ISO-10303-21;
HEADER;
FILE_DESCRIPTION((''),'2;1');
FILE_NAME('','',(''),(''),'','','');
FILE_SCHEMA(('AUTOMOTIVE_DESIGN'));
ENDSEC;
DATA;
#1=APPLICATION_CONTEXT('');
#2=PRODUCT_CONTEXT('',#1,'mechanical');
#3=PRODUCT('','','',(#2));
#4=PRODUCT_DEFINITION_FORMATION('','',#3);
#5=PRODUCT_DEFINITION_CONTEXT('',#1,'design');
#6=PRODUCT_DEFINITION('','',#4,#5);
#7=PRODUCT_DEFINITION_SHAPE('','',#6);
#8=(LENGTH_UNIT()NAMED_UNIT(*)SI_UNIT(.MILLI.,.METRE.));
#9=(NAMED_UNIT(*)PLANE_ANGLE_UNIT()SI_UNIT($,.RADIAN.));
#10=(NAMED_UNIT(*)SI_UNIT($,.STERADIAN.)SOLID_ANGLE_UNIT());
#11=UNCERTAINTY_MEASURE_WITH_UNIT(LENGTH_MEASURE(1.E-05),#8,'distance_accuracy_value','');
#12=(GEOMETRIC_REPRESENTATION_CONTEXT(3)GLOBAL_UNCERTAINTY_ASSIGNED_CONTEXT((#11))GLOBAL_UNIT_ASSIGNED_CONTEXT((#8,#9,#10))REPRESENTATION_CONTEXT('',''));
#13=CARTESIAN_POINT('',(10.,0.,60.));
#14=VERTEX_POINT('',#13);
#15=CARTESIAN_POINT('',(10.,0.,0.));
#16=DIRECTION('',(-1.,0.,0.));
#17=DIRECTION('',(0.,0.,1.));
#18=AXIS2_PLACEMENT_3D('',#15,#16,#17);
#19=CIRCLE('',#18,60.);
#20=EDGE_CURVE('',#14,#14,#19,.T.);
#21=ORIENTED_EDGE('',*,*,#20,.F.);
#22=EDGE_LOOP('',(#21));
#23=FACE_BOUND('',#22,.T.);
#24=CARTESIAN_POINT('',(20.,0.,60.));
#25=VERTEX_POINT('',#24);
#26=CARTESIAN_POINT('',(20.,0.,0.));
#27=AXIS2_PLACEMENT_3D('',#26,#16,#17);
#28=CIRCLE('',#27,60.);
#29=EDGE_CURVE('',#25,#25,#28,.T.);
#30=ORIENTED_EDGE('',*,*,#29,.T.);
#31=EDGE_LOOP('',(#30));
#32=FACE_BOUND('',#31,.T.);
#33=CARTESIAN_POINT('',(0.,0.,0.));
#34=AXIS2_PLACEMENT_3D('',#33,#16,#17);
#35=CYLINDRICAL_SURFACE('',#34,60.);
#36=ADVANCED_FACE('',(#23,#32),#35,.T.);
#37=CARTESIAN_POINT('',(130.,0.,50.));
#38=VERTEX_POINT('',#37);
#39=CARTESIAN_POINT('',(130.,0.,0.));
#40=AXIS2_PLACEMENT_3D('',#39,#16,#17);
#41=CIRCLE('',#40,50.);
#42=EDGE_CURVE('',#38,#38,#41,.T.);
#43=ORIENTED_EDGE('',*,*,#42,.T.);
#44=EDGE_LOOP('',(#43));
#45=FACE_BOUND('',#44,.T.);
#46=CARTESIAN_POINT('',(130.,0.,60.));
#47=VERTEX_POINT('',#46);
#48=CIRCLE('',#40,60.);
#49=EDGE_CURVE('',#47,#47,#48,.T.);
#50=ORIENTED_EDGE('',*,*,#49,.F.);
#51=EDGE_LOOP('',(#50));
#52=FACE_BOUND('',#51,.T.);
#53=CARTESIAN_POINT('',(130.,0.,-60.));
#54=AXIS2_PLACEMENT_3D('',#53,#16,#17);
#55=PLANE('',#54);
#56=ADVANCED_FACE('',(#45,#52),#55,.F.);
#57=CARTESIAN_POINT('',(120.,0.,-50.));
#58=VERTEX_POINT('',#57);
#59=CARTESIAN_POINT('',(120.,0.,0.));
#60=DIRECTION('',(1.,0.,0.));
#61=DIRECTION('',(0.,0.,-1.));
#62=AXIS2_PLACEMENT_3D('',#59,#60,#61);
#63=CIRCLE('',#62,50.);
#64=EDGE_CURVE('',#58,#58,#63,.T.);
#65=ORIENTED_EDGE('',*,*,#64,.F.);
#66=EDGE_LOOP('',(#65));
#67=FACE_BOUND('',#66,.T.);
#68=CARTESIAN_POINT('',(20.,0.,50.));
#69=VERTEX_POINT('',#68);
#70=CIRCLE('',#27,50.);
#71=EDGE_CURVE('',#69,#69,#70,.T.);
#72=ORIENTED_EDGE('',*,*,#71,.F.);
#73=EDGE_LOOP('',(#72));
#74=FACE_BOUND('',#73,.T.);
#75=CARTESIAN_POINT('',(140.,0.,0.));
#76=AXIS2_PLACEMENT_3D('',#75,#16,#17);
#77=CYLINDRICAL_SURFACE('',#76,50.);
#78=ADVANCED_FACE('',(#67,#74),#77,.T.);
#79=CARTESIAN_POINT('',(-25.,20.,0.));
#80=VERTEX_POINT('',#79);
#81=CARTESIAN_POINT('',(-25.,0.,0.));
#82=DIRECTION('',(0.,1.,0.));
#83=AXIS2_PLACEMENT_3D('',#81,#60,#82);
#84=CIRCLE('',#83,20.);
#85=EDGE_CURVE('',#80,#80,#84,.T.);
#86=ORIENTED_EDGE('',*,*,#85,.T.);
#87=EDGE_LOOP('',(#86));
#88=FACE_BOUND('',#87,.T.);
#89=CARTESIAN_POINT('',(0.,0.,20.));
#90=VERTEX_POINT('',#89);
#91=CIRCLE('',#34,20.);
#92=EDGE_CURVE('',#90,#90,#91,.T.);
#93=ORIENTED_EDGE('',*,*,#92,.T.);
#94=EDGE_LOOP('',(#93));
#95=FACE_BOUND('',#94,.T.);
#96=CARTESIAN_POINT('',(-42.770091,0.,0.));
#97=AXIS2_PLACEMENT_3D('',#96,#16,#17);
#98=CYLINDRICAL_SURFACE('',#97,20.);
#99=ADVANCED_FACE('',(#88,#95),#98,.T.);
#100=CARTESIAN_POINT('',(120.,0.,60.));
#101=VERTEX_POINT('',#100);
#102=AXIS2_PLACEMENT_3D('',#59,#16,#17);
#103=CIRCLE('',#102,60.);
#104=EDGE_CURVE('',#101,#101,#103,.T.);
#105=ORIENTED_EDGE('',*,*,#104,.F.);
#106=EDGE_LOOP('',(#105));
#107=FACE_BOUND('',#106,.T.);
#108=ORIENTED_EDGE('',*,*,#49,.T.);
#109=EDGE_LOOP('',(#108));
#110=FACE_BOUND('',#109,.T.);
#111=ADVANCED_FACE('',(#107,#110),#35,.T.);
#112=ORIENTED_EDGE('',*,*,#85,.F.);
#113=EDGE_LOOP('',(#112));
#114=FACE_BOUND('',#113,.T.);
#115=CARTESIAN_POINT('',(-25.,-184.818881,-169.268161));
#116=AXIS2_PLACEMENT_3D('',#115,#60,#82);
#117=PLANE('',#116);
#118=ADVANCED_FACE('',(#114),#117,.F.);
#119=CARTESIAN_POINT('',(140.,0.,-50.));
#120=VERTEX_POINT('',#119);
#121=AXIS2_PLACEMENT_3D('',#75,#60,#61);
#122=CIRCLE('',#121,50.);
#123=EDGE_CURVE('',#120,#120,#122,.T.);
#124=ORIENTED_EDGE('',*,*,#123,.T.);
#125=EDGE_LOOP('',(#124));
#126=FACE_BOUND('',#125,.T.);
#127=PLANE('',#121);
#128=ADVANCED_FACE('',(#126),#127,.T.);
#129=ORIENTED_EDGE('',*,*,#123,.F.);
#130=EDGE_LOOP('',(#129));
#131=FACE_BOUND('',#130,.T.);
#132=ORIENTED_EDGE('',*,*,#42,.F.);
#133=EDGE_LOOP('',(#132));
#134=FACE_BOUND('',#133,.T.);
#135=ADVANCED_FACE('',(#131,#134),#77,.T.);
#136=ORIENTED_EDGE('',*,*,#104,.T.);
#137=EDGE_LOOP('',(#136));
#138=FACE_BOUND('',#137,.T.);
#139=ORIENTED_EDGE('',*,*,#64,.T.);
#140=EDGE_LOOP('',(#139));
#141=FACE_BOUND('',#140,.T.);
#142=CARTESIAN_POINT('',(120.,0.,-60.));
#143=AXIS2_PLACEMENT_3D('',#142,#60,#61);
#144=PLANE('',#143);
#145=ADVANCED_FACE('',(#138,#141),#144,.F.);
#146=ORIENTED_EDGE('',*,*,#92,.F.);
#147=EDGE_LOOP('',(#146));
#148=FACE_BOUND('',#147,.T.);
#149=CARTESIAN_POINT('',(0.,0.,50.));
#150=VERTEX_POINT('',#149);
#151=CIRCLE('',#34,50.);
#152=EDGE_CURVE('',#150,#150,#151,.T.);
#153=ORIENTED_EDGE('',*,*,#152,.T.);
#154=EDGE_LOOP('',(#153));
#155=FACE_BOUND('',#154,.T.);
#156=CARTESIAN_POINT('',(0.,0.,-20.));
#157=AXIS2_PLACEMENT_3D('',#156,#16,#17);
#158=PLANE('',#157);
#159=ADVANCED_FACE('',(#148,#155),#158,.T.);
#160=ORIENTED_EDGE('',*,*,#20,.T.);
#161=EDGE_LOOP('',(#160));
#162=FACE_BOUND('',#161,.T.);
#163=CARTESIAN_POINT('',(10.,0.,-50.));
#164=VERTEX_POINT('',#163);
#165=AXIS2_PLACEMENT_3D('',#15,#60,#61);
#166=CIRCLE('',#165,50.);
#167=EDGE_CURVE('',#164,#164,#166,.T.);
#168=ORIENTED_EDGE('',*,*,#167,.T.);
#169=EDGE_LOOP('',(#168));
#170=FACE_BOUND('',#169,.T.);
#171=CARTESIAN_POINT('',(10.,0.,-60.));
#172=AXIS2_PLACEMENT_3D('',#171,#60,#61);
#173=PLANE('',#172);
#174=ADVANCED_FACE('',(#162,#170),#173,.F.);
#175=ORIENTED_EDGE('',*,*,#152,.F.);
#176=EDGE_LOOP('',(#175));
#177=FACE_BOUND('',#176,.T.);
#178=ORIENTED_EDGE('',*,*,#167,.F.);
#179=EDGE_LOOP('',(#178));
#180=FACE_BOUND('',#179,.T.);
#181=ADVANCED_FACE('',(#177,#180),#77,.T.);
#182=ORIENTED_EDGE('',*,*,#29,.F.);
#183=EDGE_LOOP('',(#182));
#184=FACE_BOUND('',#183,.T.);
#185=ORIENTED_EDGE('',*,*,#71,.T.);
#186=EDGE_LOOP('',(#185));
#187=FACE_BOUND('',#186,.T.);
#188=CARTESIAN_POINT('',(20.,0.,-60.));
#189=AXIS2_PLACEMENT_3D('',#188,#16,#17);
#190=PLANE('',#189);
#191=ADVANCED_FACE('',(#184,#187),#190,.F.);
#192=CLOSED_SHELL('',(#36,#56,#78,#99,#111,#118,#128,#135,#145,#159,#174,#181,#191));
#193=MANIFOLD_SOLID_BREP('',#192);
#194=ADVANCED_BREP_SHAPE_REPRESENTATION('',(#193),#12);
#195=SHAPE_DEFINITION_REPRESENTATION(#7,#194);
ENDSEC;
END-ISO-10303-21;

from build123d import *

# Parameters (mm, degrees)
SKETCH1_R               = 50
BOSS_EXTRUDE1_DEPTH     = 140
SKETCH2_W               = 10
SKETCH2_H               = 60
BOSS_EXTRUDE2_START     = 100
SKETCH3_R               = 50
BOSS_EXTRUDE2_DEPTH     = 100
SKETCH4_R               = 169.268161275
BOSS_EXTRUDE3_DEPTH     = 10
FILLET2_R               = 50
CUT_EXTRUDE1_DEPTH      = 278.314660346
CUT_EXTRUDE1_DEPTH_BACK = 278.314660346
SKETCH5_W               = 221.299470988
SKETCH5_H               = 358.524470465


with BuildPart() as part:
    # Sketch1 → Boss-Extrude1 (new body)
    with BuildSketch(Plane(origin=(0, 0, 0), x_dir=(0, 0, -1), z_dir=(1, 0, 0))):
        Circle(SKETCH1_R)
    extrude(amount=BOSS_EXTRUDE1_DEPTH)

    # Sketch2 → Revolve1 (revolve)
    with BuildSketch(Plane(origin=(0, 0, 0), x_dir=(1, 0, 0), z_dir=(0, 1, 0)), mode=Mode.PRIVATE) as revolve1_sk:
        with Locations((15, 30)):
            Rectangle(SKETCH2_W, SKETCH2_H)
        with Locations((125, 30)):
            Rectangle(SKETCH2_W, SKETCH2_H)
    revolve(revolve1_sk.sketch.rotate(Axis((0, 0, 0), (1, 0, 0)), 180), axis=Axis((0, 0, 0), (1, 0, 0)))

    # Sketch3 → Boss-Extrude2 (add)
    with BuildSketch(Plane.ZY.offset(BOSS_EXTRUDE2_START)):
        Circle(SKETCH3_R)
    extrude(amount=-BOSS_EXTRUDE2_DEPTH)

    # Sketch4 → Boss-Extrude3 (add)
    with BuildSketch(Plane.ZY.offset(100)):
        Circle(SKETCH4_R)
    extrude(amount=BOSS_EXTRUDE3_DEPTH)

    # Fillet2
    fillet2_edges = [part.edges().sort_by_distance(p)[0] for p in [
        (-100, 0, -50),
    ]]
    fillet(fillet2_edges, radius=FILLET2_R)

    # Sketch5 → Cut-Extrude1 (cut, two sides: drawn at the far end of the back side and taken through both)
    with BuildSketch(Plane.XY.offset(-CUT_EXTRUDE1_DEPTH_BACK)):
        with Locations((-135.649735494, -5.556646105)):
            Rectangle(SKETCH5_W, SKETCH5_H)
    extrude(amount=CUT_EXTRUDE1_DEPTH + CUT_EXTRUDE1_DEPTH_BACK, mode=Mode.SUBTRACT)

    # Sketch6 → Cut-Revolve1 (revolve, cut)
    with BuildSketch(Plane(origin=(0, 0, 0), x_dir=(1, 0, 0), z_dir=(0, 1, 0)), mode=Mode.PRIVATE) as cut_revolve1_sk:
        Polygon((-37.123590864, 20), (0, 20), (0, 63.419467726), (-45.130639874, 53.302044746), align=None)
    revolve(cut_revolve1_sk.sketch.rotate(Axis((-42.77009101, 0, 0), (1, 0, 0)), 180), axis=Axis((-42.77009101, 0, 0), (1, 0, 0)), mode=Mode.SUBTRACT)


solid = part.part
